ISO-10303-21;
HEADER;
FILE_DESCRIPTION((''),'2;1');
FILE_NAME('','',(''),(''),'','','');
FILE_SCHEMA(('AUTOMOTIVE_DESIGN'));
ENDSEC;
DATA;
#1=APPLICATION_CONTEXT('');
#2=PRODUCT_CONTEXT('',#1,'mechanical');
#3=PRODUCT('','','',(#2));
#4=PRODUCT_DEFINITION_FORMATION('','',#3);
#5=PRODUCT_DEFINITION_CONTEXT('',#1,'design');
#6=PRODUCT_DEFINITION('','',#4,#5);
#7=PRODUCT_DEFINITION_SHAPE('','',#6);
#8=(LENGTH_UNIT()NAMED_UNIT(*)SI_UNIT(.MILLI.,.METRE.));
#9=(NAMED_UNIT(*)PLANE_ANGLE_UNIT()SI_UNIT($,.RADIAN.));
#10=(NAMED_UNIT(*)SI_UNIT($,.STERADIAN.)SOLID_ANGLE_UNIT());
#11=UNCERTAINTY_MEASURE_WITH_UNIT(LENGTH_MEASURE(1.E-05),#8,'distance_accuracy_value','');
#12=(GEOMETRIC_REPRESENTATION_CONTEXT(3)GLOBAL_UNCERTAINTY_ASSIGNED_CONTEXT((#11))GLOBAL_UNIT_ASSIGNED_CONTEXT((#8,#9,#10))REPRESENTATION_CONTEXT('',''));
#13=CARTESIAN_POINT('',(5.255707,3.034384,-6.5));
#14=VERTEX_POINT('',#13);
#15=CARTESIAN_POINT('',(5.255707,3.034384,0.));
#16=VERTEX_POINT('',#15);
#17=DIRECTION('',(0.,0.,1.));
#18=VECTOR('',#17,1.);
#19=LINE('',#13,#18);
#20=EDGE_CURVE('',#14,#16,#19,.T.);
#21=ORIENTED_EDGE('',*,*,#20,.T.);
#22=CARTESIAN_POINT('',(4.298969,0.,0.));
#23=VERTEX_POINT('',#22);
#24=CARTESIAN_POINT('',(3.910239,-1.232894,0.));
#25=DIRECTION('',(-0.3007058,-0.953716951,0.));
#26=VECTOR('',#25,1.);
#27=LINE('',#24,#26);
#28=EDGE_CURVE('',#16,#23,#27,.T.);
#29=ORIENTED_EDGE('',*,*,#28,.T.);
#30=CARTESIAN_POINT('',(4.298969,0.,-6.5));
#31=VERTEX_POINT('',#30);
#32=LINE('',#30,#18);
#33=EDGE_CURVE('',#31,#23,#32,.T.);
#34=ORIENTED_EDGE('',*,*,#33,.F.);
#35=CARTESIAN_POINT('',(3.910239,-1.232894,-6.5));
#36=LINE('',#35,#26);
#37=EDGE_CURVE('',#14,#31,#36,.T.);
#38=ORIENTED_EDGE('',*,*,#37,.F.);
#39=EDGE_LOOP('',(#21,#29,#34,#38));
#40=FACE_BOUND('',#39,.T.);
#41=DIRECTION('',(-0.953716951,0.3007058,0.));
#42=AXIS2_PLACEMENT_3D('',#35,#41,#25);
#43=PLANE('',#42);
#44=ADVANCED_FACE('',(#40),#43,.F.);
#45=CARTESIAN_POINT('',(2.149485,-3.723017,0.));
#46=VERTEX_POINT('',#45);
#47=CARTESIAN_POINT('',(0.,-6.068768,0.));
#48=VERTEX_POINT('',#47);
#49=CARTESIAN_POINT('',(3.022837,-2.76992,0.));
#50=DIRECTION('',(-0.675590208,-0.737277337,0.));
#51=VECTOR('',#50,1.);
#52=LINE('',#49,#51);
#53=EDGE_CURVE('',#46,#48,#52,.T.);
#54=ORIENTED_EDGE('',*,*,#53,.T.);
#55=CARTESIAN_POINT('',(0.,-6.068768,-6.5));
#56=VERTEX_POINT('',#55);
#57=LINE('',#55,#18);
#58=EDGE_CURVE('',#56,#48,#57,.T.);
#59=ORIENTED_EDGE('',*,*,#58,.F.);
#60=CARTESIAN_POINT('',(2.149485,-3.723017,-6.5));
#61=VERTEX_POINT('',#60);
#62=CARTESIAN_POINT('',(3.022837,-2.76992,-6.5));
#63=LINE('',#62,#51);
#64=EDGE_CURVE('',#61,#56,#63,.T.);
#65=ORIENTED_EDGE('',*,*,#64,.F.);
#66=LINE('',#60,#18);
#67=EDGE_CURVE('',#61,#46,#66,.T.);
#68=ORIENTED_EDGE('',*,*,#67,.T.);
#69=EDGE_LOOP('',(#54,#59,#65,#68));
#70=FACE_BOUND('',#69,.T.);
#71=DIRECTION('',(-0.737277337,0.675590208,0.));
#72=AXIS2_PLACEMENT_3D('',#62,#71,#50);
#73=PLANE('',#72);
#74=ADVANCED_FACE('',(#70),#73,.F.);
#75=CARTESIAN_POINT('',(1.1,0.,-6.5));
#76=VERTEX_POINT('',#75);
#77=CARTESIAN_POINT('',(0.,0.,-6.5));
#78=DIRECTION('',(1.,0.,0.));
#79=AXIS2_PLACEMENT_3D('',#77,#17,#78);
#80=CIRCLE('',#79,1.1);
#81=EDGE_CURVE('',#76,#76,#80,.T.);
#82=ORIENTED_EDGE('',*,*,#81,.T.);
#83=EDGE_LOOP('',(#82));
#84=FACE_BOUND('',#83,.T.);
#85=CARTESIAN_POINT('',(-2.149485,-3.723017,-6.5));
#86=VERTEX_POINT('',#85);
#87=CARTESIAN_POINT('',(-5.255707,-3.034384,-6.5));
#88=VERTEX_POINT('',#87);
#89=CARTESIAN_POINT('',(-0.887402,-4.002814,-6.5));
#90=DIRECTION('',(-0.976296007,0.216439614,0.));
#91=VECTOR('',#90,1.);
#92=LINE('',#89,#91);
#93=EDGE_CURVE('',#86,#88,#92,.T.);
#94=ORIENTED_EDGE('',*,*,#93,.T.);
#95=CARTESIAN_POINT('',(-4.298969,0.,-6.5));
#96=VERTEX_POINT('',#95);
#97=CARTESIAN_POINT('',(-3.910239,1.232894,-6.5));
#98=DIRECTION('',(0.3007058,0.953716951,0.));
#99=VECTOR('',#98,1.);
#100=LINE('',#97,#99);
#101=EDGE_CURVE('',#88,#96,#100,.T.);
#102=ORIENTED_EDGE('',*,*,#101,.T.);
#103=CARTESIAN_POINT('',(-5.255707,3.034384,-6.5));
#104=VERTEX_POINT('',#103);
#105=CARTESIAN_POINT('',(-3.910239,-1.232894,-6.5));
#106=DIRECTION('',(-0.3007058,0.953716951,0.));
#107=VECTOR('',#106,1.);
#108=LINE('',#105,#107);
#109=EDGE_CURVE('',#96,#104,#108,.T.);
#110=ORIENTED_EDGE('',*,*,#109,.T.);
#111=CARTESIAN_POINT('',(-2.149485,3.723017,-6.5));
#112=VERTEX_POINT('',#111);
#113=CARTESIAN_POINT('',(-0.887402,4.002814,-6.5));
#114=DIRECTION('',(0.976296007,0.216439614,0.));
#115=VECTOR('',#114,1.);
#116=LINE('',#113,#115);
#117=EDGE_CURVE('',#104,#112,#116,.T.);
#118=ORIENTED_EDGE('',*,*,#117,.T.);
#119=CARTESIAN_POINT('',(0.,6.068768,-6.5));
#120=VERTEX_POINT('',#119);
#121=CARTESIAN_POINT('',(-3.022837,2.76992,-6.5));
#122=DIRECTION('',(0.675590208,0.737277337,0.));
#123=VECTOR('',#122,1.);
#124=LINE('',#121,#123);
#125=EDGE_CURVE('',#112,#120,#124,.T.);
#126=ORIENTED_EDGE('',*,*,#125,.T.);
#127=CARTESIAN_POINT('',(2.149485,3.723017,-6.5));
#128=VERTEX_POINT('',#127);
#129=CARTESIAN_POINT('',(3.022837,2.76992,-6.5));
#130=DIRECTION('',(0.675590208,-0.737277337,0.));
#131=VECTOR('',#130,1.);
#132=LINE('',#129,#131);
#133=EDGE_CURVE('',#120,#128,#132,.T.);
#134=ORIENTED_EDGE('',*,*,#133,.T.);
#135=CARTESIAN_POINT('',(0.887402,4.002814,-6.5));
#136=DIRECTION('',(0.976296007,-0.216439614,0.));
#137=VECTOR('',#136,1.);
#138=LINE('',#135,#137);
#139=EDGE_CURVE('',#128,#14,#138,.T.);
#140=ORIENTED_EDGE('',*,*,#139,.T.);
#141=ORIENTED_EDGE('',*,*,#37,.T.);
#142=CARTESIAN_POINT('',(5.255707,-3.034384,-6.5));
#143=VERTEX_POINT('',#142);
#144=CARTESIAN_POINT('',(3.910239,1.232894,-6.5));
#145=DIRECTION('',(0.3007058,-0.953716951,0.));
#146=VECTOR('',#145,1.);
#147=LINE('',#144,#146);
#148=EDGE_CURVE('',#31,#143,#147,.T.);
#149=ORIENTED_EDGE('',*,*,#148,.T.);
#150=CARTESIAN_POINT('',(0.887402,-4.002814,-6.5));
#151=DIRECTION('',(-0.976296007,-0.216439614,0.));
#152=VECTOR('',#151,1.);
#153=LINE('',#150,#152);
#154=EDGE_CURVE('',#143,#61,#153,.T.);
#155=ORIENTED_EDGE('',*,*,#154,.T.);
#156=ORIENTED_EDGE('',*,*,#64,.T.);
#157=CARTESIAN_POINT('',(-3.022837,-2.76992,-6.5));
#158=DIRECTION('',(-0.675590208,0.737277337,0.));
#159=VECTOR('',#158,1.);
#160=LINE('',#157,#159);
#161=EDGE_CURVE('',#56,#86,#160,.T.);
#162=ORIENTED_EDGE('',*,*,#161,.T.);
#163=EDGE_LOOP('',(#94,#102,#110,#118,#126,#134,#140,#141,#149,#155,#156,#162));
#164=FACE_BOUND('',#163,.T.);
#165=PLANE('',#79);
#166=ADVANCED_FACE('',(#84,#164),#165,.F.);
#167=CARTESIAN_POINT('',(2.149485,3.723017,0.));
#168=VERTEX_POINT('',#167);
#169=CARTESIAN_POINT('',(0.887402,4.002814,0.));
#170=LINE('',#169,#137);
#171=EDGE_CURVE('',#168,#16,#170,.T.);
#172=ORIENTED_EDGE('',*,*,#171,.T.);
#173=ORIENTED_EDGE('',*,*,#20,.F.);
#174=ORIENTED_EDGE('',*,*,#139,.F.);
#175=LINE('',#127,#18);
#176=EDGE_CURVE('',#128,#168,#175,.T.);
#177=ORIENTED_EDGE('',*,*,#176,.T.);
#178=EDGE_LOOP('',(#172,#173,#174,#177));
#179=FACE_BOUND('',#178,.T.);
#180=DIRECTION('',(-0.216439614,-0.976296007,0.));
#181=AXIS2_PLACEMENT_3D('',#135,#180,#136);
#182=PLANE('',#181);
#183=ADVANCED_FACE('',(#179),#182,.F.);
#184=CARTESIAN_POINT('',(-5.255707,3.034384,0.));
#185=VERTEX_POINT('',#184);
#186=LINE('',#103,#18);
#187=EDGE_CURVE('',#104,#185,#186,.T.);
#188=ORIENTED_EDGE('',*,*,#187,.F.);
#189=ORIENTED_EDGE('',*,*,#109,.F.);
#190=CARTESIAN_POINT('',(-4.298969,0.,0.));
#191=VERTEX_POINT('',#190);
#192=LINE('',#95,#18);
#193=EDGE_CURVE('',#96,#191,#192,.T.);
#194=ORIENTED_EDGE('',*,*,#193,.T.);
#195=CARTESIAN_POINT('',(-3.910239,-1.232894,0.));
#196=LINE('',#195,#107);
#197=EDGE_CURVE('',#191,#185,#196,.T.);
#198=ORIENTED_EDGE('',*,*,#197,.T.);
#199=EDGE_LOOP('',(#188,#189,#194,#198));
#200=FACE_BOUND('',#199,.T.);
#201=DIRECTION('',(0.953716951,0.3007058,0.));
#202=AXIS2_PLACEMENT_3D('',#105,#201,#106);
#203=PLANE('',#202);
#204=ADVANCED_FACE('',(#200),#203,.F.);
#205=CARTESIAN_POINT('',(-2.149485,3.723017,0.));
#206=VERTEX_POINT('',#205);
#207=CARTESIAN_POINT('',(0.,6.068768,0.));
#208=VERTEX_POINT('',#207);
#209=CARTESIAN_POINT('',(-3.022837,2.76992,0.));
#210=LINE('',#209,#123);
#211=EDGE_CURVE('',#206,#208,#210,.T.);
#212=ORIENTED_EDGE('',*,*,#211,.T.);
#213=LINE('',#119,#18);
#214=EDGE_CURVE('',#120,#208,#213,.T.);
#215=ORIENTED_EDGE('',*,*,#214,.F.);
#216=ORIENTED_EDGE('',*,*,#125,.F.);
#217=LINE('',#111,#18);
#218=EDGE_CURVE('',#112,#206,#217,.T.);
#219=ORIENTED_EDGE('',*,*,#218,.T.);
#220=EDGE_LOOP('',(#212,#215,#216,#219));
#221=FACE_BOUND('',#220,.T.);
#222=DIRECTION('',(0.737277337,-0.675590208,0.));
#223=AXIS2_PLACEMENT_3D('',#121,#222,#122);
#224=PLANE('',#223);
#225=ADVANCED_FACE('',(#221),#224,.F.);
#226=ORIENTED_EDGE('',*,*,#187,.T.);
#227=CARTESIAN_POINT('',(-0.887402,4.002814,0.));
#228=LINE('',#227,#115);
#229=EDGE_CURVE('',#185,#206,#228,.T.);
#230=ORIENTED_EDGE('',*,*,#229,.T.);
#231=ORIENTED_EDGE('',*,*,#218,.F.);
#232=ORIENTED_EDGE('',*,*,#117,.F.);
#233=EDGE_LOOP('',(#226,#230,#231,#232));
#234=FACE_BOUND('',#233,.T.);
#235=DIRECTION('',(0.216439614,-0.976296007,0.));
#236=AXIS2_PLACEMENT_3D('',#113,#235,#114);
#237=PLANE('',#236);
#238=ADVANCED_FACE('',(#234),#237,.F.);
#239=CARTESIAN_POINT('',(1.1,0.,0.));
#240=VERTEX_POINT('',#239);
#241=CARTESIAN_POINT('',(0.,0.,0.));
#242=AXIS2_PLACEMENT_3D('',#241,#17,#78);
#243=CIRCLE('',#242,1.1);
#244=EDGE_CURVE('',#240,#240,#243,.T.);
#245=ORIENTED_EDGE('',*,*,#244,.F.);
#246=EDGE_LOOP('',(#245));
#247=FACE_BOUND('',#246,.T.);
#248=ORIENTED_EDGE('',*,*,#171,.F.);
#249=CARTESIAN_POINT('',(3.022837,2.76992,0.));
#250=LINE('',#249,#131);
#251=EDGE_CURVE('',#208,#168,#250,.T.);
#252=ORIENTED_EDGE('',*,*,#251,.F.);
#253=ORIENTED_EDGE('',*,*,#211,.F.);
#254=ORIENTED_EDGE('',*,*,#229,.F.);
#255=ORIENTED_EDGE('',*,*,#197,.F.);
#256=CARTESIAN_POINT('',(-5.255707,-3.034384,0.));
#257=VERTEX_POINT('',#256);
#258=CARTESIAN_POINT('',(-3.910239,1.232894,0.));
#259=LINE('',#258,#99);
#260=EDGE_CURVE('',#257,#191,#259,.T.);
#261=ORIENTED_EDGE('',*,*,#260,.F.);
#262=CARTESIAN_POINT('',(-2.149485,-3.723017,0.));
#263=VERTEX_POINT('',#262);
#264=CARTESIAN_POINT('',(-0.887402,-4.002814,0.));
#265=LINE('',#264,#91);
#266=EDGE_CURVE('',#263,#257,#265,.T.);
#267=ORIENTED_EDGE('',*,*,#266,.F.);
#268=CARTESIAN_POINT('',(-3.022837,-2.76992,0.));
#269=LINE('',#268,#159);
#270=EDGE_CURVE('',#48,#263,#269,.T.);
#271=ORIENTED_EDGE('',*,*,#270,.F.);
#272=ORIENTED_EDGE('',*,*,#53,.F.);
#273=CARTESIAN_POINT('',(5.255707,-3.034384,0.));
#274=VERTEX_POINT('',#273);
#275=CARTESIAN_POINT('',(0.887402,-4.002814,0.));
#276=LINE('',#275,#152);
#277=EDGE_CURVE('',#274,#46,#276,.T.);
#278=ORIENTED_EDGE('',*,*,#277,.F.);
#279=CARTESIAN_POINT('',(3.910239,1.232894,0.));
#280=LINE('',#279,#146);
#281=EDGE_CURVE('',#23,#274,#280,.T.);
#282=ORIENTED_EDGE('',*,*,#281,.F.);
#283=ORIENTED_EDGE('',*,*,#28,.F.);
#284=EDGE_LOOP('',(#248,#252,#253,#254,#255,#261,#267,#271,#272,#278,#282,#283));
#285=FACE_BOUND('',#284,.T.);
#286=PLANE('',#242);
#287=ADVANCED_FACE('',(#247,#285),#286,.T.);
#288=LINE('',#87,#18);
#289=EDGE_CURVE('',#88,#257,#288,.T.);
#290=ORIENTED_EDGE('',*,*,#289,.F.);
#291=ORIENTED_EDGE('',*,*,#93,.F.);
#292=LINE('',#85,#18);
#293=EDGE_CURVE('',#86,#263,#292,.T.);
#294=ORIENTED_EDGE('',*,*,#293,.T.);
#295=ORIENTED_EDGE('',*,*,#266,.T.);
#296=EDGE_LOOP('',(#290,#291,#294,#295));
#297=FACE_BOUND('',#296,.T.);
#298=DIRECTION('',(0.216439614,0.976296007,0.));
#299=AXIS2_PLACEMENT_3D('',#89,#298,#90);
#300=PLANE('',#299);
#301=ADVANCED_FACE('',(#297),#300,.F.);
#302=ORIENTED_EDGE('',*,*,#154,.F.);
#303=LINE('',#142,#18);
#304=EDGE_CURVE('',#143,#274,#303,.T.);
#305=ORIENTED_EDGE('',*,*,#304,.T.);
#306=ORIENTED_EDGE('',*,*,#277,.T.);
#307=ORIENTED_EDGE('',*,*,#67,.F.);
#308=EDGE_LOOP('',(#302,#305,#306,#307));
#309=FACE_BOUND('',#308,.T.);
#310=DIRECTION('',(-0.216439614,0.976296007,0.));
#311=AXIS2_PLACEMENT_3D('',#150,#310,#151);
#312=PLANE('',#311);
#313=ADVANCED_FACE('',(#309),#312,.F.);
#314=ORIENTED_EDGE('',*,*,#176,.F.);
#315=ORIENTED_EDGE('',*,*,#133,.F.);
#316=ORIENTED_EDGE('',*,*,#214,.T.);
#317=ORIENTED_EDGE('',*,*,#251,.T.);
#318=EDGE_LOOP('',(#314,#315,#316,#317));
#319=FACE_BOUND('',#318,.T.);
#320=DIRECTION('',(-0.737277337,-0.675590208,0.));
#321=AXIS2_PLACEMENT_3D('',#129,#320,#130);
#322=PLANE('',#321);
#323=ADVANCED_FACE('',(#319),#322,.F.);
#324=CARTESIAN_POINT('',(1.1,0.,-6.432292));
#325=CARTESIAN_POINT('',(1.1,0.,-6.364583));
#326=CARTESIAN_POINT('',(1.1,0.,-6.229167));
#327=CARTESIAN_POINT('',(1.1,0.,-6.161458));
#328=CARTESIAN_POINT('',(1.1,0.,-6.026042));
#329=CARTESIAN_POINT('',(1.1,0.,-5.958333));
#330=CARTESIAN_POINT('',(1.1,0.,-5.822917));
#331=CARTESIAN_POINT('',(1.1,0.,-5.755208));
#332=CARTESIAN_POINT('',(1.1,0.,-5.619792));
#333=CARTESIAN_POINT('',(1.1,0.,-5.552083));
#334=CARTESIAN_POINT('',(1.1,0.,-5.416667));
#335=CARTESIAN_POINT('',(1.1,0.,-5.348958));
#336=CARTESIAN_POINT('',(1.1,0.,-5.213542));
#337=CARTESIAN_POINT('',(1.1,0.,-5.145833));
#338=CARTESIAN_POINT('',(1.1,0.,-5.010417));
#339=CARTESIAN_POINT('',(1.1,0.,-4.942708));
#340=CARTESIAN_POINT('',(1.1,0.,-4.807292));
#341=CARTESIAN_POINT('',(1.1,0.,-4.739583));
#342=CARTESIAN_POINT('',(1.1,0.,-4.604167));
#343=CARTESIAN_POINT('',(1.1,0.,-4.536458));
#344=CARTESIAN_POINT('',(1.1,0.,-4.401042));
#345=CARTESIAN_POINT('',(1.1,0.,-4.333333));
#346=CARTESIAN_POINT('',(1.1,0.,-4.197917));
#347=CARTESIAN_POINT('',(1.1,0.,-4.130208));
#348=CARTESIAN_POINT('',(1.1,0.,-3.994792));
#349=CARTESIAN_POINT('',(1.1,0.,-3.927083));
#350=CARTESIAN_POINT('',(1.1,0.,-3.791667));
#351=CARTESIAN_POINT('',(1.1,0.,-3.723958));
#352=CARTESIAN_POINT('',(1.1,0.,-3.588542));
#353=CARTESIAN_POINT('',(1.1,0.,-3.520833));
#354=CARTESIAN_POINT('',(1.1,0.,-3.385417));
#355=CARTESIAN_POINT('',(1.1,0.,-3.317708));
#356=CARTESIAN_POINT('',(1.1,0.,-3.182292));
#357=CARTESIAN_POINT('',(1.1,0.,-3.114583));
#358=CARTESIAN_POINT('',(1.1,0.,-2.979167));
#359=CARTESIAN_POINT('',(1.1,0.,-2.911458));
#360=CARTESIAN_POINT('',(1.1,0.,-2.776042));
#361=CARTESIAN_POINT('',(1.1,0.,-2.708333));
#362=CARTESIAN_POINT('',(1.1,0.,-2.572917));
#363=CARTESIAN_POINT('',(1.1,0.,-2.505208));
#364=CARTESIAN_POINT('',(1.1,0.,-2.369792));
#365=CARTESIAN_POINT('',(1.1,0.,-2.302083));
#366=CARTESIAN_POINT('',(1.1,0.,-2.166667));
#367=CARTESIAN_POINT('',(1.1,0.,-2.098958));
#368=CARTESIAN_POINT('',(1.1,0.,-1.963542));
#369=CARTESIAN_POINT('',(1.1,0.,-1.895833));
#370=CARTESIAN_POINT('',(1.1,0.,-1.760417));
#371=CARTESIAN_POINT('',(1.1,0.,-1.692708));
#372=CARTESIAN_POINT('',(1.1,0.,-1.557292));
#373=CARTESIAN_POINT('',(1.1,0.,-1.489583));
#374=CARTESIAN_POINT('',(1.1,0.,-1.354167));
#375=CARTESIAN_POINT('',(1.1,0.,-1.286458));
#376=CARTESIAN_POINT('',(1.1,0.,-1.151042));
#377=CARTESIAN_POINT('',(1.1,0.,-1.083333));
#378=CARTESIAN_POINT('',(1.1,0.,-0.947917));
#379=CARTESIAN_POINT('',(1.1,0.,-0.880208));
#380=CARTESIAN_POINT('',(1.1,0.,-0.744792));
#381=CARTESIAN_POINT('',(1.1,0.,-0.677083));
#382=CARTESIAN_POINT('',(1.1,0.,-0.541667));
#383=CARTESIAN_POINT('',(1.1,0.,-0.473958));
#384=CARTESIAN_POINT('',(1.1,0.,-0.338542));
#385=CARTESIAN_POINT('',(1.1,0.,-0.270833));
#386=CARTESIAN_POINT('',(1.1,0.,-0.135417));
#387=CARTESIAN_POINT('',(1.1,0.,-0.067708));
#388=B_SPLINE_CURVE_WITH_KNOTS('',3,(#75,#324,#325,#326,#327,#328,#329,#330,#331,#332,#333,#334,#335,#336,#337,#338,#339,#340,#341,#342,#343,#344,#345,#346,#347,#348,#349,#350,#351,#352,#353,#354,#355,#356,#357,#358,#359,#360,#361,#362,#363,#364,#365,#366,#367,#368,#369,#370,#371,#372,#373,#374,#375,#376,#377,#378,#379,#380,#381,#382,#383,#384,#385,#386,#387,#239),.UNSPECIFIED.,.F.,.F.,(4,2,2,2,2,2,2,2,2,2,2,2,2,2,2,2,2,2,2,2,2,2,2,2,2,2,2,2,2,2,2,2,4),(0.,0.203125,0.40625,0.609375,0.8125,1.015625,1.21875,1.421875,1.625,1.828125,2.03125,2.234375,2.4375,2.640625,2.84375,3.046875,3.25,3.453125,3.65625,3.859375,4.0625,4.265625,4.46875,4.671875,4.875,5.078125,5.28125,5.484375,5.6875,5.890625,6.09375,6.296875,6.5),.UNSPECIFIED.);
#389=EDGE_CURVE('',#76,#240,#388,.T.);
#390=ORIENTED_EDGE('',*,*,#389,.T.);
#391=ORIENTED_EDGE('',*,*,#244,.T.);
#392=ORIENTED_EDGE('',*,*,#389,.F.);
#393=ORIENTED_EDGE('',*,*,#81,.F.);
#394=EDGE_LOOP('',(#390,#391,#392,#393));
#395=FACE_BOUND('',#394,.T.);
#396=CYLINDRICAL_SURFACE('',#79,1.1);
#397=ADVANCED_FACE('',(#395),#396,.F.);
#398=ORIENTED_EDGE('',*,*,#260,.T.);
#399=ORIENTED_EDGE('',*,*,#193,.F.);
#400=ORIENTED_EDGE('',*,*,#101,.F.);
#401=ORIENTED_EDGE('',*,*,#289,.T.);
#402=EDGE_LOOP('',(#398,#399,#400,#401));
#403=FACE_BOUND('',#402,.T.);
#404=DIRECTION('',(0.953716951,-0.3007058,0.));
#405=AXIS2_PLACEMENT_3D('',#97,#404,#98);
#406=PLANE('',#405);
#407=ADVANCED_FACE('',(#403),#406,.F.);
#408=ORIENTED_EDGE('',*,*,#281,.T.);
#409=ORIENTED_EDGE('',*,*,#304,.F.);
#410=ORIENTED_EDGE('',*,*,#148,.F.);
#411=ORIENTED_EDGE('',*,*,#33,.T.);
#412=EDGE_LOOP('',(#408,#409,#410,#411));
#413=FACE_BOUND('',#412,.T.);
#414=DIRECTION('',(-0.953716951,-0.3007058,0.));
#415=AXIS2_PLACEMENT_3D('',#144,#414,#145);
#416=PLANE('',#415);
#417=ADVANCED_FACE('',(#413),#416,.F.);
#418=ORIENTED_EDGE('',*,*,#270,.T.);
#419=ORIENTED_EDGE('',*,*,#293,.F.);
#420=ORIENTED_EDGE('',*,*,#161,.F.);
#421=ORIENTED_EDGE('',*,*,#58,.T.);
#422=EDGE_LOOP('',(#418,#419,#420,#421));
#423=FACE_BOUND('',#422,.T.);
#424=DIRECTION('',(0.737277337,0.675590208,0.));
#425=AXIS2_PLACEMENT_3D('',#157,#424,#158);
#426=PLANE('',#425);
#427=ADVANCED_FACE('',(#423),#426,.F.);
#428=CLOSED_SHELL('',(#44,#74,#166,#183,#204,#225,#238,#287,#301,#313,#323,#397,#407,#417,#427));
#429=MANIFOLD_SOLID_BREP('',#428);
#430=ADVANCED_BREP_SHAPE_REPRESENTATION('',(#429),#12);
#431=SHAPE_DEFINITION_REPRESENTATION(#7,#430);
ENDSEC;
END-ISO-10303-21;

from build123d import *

# Parameters (mm, degrees)
SKETCH1_R           = 1.1
BOSS_EXTRUDE1_DEPTH = 6.5


with BuildPart() as part:
    # Sketch1 → Boss-Extrude1 (new body)
    with BuildSketch(Plane.XY):
        Polygon((0, -6.068767655), (2.149484707, -3.723016722), (5.255706959, -3.034383827), (4.298969413, 0), (5.255706959, 3.034383827), (2.149484707, 3.723016722), (0, 6.068767655), (-2.149484707, 3.723016722), (-5.255706959, 3.034383827), (-4.298969413, 0), (-5.255706959, -3.034383827), (-2.149484707, -3.723016722), align=None)
        Circle(SKETCH1_R, mode=Mode.SUBTRACT)
    extrude(amount=-BOSS_EXTRUDE1_DEPTH)


solid = part.part
